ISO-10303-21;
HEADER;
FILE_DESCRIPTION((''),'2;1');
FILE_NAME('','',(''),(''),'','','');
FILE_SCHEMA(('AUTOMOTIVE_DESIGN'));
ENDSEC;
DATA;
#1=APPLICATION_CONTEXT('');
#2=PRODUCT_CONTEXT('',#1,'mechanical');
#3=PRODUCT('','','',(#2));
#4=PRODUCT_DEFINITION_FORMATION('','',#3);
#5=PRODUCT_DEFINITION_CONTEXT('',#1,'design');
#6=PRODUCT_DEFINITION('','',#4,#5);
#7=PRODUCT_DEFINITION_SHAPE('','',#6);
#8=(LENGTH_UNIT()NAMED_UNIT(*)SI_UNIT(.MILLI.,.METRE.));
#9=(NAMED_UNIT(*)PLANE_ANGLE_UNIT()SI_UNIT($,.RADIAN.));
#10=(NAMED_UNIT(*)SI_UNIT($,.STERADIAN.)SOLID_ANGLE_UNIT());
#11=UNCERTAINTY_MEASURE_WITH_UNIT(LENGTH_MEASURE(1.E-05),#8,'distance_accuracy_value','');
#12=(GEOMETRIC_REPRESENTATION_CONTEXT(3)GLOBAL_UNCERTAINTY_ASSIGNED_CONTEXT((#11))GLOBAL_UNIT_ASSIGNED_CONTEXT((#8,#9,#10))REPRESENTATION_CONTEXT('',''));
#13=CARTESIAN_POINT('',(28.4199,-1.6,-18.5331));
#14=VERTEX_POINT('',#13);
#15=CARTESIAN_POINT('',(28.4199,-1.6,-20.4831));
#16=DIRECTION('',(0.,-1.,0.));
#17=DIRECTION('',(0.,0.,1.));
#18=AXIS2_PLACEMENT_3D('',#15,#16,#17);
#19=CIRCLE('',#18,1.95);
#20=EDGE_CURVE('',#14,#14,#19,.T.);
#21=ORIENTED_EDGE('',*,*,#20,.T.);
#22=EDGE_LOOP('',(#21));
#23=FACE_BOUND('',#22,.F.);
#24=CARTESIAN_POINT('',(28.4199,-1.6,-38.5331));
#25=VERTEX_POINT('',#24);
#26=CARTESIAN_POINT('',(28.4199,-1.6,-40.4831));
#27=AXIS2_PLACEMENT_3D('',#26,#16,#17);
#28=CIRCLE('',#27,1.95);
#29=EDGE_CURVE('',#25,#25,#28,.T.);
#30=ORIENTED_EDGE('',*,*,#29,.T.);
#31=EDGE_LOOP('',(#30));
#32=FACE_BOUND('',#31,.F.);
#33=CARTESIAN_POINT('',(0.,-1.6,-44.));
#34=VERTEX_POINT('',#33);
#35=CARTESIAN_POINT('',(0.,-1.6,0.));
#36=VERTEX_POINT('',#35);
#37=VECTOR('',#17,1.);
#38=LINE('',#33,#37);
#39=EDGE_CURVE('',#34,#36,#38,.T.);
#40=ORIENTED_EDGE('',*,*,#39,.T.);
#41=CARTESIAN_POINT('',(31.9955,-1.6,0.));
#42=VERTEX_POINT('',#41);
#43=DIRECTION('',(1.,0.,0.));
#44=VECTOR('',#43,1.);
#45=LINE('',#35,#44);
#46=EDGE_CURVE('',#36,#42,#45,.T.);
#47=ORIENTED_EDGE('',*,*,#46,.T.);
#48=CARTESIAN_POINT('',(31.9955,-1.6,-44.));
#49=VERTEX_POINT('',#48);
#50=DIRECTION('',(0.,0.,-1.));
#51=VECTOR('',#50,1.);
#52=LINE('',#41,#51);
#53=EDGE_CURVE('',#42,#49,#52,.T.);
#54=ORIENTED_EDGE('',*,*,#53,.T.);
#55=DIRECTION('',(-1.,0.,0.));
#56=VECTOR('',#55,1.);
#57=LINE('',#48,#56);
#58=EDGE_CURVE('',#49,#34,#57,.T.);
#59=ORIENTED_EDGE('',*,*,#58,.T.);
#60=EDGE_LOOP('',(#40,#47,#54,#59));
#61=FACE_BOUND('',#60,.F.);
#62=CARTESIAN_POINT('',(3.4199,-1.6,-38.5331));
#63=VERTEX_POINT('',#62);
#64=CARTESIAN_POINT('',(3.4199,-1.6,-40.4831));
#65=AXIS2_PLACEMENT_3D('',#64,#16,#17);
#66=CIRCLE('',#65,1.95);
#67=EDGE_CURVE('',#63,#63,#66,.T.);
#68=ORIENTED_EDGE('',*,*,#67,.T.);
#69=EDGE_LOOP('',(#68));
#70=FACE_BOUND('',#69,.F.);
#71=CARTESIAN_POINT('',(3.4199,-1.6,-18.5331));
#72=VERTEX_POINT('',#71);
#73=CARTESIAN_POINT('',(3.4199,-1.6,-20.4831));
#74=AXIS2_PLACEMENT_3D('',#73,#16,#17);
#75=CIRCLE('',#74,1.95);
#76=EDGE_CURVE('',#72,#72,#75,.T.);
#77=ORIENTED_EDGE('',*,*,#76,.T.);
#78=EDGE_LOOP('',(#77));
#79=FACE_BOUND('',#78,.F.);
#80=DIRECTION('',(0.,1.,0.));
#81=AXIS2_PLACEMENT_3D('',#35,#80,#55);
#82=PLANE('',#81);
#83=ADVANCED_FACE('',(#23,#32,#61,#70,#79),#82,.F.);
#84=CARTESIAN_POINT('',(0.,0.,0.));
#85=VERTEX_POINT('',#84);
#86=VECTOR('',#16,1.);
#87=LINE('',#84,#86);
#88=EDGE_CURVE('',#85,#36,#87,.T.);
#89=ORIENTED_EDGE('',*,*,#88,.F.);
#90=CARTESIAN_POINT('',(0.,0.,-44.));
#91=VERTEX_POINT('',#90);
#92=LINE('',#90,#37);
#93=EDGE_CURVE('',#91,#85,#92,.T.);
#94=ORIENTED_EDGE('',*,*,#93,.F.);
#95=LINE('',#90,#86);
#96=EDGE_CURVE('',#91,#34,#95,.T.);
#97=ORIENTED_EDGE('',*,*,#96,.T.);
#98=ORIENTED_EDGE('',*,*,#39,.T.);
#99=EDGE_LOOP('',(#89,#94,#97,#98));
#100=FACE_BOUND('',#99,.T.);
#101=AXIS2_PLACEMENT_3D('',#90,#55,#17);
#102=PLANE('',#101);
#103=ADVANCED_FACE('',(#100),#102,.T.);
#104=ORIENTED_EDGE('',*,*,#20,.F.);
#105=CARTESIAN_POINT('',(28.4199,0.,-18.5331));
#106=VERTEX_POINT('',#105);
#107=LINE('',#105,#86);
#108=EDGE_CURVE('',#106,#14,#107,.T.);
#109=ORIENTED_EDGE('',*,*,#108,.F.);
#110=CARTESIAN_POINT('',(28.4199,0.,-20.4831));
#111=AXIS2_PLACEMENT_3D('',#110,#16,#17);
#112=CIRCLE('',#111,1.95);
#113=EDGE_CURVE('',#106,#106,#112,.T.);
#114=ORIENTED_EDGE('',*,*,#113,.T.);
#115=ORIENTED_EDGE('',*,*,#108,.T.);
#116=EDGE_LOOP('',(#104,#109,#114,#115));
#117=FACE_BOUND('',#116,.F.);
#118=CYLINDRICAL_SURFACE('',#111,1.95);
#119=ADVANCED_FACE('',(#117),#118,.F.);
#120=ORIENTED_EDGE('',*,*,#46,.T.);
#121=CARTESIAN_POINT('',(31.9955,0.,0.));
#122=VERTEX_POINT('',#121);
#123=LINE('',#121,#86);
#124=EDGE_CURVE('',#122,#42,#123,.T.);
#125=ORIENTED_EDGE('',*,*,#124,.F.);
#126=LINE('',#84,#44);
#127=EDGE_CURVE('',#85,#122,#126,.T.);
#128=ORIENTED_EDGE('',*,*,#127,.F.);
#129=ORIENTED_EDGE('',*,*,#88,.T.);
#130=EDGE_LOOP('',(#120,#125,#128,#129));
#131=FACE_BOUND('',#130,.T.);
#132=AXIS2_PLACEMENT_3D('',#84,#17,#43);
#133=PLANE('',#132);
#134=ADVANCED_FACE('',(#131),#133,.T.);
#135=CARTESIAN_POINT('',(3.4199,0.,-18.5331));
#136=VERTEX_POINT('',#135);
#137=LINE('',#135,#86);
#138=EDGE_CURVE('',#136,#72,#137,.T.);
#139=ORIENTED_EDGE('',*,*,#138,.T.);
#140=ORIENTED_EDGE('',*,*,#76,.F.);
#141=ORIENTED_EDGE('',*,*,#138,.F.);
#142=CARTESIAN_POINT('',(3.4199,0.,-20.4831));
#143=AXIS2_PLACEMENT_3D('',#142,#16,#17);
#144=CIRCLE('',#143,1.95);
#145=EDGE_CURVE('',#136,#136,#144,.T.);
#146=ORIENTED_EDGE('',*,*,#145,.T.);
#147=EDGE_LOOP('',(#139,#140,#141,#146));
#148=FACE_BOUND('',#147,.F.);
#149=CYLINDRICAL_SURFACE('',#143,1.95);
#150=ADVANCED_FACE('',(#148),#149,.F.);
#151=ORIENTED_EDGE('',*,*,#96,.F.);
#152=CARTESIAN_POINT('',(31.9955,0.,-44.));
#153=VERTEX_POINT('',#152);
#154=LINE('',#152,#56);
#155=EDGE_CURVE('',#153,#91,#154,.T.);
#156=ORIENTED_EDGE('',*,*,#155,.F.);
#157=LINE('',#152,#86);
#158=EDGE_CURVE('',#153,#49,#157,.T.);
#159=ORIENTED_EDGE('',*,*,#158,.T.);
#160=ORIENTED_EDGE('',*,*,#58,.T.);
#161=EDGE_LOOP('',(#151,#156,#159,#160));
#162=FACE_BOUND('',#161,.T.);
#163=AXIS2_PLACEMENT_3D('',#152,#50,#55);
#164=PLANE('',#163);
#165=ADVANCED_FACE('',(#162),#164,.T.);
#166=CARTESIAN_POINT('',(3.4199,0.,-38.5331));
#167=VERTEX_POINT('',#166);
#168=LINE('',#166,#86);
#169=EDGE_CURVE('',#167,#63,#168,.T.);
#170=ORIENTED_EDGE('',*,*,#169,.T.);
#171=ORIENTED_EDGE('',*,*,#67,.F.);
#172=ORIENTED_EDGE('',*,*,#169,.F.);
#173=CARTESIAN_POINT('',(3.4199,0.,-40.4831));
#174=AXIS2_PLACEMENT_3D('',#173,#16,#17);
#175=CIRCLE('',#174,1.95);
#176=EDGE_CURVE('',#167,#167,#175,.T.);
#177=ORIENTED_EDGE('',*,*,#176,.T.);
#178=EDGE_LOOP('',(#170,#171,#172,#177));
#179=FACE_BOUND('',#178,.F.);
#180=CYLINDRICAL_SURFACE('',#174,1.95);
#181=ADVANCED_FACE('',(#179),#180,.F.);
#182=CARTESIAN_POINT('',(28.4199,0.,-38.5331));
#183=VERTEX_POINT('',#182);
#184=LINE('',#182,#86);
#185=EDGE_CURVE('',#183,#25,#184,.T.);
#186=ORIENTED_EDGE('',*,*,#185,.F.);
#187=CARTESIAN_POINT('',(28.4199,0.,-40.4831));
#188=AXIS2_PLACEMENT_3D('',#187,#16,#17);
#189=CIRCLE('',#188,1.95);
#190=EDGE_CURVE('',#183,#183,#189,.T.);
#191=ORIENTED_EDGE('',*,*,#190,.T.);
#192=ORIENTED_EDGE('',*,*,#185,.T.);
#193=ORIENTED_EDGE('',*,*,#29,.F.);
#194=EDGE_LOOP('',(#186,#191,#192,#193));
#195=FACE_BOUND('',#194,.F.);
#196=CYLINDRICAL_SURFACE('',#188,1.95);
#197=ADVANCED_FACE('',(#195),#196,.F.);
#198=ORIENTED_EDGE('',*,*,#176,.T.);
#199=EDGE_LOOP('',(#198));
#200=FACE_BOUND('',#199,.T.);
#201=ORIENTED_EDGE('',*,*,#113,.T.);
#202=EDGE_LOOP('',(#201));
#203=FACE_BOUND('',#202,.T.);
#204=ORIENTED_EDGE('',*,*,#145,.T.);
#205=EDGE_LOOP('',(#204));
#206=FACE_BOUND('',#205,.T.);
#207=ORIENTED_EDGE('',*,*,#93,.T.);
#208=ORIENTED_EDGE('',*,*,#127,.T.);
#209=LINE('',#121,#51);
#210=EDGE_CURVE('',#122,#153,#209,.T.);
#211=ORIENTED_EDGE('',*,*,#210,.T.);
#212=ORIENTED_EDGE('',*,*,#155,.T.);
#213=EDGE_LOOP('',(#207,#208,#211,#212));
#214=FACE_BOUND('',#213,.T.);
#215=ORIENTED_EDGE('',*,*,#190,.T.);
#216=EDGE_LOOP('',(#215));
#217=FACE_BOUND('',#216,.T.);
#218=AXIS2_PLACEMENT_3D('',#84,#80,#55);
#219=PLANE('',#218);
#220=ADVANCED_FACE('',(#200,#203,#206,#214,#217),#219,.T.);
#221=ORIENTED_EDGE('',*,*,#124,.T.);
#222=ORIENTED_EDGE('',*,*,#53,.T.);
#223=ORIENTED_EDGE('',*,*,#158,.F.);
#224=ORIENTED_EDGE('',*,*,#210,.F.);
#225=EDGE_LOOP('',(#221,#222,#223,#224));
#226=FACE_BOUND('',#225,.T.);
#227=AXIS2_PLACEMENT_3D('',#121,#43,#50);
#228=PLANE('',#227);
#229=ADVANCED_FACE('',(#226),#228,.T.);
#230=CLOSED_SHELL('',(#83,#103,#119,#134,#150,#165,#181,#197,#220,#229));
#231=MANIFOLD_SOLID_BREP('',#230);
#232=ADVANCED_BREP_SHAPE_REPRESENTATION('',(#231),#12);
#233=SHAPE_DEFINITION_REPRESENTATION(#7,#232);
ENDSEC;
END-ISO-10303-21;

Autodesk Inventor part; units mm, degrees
ref_plane "YZ Plane" through (0, 0, 0) normal (1, 0, 0) x (0, 1, 0)
ref_plane "XZ Plane" through (0, 0, 0) normal (0, 1, 0) x (-1, 0, 0)
ref_plane "XY Plane" through (0, 0, 0) normal (0, 0, 1) x (1, 0, 0)
sketch "Sketch1" plane through (0, 0, 0) normal (0, 1, 0) x (-1, 0, 0)
  line L0 (0, 0) -> (0, -44) construction
  line L1 (0, -44) -> (-31.9955, -44) construction
  line L2 (-31.9955, -44) -> (-31.9955, 0) construction
  line L3 (-31.9955, 0) -> (0, 0) construction
  dimension "d5" = 44
  dimension "d9" = 31.9955
sketch "Sketch2" plane through (0, 0, 0) normal (0, 1, 0) x (-1, 0, 0)
  line L0 (0, 0) -> (0, -44) construction
  line L1 (0, -44) -> (-31.9955, -44) construction
  line L2 (-31.9955, -44) -> (-31.9955, 0) construction
  line L3 (-31.9955, 0) -> (0, 0) construction
  line L4 (0, 0) -> (-31.9955, 0)
  line L5 (-31.9955, 0) -> (-31.9955, -44)
  line L6 (-31.9955, -44) -> (0, -44)
  line L7 (0, -44) -> (0, 0)
extrude "Extrusion1" add sketch "Sketch2" against normal blind 1.6
decal "Decal1"
sketch "Sketch4" plane through (0, 0, 0) normal (0, 1, 0) x (1, 0, 0)
  line L0 (3.4199, 20.4831) -> (28.4199, 20.4831)
  line L1 (28.4199, 20.4831) -> (28.4199, 40.4831)
  line L2 (28.4199, 40.4831) -> (3.4199, 40.4831)
  line L3 (3.4199, 40.4831) -> (3.4199, 20.4831)
  line L4 (3.4199, 20.4831) -> (28.4199, 40.4831) construction
  line L5 (28.4199, 20.4831) -> (3.4199, 40.4831) construction
  point P0 (0, 0)
  point P1 (15.9199, 30.4831)
  dimension "d14" = 25
  dimension "d15" = 20
hole "Hole1" at (3.4199, 0, -40.4831) at (3.4199, 0, -20.4831) at (28.4199, 0, -20.4831) at (28.4199, 0, -40.4831) direction (0, -1, 0) diameter 3.9 depth 3
properties part number "DFR-08104"
